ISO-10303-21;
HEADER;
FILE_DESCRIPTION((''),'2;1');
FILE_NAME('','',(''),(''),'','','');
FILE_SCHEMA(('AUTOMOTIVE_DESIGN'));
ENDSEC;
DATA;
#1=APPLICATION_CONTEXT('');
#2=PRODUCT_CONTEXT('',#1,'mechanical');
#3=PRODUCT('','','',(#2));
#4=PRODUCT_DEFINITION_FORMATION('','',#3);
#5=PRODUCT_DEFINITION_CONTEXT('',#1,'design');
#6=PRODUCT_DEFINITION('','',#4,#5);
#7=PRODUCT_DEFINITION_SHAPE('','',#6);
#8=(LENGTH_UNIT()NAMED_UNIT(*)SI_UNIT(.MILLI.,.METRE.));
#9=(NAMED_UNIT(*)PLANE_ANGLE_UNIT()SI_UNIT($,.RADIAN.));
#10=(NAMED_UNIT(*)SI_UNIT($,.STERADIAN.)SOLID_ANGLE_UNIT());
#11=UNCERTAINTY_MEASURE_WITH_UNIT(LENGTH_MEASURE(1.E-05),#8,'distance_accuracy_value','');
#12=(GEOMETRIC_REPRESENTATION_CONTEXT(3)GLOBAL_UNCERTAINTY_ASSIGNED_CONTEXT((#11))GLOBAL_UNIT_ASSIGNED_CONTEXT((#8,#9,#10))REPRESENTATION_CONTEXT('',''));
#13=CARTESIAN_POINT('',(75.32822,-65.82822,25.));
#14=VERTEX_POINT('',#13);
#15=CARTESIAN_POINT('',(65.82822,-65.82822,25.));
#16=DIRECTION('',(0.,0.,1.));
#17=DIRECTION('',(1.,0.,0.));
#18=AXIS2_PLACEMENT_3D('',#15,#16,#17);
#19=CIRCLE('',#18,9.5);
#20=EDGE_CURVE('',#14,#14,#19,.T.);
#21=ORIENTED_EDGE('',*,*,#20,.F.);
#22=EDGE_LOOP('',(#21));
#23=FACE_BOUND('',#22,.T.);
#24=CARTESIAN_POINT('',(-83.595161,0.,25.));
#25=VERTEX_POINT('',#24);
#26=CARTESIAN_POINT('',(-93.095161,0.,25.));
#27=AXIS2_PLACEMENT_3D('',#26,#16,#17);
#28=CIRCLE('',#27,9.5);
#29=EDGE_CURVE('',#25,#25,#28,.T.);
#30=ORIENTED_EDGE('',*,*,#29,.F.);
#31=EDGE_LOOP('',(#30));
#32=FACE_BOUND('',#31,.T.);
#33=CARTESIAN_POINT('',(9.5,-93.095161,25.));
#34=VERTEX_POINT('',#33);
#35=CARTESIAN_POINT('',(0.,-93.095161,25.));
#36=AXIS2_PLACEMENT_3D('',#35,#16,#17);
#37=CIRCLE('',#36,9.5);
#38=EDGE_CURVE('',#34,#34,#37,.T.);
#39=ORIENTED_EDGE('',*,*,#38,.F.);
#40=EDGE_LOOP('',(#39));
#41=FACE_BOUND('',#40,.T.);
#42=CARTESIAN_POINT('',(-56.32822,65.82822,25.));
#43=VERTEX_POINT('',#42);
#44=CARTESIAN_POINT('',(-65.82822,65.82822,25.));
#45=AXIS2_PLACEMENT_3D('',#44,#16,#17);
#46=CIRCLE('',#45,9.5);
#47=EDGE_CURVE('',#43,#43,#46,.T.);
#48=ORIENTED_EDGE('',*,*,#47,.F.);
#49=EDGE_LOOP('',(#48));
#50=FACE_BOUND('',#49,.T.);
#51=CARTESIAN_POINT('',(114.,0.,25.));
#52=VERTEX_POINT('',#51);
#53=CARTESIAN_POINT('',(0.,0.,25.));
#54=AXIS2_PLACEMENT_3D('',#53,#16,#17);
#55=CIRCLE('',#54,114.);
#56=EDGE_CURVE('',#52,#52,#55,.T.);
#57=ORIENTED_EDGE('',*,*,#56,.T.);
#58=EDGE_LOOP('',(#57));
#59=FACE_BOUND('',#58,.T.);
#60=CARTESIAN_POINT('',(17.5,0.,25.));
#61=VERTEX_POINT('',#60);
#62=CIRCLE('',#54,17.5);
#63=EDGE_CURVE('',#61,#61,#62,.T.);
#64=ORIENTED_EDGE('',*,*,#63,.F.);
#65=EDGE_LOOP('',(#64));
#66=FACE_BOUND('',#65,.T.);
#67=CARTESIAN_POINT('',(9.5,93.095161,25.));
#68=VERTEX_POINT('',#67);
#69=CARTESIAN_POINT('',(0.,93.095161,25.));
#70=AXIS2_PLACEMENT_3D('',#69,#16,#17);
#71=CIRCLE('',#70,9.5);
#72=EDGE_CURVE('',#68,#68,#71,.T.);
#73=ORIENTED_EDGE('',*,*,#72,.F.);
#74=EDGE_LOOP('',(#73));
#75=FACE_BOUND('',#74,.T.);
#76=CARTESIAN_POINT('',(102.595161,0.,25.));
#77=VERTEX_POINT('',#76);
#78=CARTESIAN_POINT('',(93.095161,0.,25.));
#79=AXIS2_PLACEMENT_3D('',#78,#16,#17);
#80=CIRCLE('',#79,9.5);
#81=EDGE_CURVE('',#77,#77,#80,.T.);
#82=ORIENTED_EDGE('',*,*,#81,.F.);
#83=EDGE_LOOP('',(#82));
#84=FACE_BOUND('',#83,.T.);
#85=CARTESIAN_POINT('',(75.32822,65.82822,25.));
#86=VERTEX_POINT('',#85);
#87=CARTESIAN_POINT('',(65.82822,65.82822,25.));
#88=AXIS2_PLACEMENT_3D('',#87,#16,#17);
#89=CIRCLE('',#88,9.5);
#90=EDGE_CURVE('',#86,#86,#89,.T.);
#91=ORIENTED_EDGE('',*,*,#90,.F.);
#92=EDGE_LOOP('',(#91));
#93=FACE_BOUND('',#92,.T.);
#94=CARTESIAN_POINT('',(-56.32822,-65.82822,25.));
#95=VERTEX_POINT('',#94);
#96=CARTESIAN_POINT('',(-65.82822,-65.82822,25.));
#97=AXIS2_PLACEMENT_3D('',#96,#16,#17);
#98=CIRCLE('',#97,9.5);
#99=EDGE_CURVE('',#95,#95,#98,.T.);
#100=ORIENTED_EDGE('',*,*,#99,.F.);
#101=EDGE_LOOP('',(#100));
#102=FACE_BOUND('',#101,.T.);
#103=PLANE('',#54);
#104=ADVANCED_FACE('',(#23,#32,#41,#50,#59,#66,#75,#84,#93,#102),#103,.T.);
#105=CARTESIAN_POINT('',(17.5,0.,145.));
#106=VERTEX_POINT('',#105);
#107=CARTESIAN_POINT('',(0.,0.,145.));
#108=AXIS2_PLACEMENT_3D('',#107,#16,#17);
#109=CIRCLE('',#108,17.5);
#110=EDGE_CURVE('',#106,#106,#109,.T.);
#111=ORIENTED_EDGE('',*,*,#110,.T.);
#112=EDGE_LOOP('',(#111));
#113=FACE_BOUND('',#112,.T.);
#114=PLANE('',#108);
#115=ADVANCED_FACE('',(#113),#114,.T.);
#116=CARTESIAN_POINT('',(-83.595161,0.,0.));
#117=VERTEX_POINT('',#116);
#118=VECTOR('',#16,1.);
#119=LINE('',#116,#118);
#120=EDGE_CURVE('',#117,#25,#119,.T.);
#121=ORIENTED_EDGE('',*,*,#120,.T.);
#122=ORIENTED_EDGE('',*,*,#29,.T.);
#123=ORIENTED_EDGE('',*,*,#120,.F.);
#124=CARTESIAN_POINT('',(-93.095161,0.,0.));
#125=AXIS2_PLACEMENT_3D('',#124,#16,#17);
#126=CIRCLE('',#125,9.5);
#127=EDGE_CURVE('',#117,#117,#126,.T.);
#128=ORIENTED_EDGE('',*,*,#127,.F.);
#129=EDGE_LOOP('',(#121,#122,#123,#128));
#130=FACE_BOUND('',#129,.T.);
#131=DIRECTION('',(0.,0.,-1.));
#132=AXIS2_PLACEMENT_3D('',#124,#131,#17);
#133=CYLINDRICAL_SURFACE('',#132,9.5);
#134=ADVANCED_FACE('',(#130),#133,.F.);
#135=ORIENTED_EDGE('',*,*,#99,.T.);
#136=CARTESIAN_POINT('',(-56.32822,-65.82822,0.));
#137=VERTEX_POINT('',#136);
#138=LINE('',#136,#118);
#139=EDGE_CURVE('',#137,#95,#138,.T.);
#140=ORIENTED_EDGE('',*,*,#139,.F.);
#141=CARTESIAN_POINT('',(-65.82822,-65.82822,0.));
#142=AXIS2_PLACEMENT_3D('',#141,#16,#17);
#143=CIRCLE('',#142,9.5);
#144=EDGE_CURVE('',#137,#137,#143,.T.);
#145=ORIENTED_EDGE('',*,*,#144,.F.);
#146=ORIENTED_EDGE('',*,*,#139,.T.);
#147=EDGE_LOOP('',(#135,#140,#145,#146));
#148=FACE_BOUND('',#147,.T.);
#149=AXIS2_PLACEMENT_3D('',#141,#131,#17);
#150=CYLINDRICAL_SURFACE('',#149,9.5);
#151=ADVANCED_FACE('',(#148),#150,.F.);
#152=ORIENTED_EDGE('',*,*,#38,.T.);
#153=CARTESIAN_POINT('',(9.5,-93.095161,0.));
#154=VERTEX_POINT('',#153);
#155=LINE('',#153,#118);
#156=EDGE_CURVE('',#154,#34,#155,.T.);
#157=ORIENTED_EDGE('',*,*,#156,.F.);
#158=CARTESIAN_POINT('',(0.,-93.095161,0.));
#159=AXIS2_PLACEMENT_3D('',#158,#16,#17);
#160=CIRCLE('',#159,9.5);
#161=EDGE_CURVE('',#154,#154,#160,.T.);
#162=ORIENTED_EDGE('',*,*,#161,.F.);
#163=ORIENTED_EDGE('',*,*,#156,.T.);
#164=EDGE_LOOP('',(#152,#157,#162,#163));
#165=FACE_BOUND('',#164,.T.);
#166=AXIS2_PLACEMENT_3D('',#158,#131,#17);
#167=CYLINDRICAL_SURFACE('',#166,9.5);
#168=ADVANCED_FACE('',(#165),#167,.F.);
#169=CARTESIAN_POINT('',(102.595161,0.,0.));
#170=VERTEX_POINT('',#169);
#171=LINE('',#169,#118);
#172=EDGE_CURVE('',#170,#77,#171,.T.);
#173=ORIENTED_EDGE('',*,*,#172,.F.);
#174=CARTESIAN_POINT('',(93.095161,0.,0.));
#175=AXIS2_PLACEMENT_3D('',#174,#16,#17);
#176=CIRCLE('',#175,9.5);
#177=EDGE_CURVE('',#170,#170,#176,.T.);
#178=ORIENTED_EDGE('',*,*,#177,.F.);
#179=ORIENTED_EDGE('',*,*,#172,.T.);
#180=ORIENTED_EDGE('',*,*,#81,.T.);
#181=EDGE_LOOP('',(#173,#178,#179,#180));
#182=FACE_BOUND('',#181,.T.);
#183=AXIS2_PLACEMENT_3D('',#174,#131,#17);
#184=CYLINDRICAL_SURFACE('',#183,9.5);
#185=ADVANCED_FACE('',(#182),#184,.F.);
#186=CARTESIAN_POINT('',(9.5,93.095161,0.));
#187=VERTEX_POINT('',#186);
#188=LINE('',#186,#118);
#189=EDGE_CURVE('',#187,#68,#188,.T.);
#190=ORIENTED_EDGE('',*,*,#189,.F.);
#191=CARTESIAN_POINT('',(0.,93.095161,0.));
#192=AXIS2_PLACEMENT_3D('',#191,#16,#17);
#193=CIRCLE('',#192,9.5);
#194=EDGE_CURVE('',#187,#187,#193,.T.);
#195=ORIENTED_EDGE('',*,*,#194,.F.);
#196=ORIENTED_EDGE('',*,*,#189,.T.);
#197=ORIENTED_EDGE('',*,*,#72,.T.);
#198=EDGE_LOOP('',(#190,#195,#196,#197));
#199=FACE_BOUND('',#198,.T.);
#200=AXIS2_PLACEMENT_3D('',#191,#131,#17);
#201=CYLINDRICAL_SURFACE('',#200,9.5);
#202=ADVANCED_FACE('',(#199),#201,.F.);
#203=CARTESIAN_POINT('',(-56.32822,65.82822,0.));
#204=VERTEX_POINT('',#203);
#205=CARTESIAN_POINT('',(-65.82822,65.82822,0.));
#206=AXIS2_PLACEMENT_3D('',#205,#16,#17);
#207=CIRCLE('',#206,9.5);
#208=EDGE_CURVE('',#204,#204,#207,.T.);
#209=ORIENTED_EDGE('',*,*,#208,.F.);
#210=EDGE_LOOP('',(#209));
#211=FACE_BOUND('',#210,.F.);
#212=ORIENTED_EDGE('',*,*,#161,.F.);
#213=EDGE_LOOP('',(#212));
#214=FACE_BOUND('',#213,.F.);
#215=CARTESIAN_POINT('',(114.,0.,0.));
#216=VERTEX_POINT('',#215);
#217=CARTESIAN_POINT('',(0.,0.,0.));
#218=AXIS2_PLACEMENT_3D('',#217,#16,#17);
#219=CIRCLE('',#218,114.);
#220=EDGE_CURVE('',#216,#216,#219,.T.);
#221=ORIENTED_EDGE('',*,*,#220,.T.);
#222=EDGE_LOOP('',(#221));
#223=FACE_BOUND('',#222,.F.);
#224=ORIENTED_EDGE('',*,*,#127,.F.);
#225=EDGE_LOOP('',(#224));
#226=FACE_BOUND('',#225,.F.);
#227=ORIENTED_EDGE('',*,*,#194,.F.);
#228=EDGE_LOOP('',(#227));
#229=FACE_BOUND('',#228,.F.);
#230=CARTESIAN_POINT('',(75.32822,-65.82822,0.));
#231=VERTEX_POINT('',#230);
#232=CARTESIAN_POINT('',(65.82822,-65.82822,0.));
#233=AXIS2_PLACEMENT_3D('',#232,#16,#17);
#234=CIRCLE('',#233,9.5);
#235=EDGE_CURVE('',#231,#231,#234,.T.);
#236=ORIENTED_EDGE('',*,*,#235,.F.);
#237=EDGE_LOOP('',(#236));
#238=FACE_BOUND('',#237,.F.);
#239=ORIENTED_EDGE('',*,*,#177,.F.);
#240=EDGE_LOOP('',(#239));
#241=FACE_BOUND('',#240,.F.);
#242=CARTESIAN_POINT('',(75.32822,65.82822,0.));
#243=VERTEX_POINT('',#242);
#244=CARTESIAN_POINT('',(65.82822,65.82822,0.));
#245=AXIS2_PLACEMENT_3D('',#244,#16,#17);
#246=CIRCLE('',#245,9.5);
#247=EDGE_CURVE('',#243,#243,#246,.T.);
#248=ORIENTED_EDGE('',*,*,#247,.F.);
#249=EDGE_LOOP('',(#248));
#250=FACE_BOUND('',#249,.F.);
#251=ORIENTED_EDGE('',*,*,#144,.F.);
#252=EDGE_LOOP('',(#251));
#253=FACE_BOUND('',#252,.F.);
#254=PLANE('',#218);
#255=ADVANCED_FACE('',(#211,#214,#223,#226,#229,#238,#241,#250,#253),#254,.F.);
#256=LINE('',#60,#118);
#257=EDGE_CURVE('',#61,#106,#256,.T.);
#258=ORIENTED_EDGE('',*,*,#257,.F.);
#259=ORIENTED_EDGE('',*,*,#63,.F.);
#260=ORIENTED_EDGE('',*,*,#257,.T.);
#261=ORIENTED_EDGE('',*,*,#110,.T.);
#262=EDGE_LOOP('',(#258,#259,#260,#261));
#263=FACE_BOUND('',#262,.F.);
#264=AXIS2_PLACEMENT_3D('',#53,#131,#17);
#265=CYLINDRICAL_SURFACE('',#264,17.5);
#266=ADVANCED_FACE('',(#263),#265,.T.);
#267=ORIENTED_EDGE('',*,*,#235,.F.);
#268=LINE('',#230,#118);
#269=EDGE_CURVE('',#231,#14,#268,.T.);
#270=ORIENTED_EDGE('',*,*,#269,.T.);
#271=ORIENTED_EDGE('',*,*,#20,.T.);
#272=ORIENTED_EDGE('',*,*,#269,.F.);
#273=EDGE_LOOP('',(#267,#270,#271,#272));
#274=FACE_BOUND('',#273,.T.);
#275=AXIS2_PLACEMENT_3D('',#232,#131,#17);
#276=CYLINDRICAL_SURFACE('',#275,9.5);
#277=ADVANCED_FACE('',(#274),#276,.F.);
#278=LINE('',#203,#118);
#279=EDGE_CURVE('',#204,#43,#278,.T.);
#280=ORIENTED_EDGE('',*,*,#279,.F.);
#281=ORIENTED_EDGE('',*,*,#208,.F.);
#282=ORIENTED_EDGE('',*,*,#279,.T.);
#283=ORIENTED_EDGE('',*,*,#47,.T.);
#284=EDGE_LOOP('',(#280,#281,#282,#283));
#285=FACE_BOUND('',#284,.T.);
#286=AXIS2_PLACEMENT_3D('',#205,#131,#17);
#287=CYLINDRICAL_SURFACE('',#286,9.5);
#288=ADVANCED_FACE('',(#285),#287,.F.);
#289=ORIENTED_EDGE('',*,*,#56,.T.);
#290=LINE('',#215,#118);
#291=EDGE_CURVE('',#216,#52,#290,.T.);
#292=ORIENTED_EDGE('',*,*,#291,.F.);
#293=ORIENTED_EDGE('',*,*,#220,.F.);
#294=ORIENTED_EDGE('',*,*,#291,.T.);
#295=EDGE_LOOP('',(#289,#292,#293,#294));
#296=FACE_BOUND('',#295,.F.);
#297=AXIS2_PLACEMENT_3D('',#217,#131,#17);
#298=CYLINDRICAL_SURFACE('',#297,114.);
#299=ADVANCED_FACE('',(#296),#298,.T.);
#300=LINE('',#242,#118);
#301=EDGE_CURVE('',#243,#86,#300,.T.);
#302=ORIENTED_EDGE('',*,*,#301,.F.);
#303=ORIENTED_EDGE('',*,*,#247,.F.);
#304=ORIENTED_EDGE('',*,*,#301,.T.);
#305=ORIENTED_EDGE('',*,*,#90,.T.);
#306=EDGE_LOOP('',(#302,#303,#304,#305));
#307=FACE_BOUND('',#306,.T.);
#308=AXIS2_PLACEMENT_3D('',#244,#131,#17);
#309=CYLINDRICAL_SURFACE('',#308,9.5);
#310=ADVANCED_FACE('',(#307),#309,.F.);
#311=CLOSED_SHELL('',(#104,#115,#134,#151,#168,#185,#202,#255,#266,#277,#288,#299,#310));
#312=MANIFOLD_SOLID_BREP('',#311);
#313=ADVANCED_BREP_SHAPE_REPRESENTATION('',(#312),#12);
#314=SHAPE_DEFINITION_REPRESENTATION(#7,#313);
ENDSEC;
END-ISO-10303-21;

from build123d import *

# Parameters (mm, degrees)
F0_R     = 114
F0_R_2   = 9.5
F1_DEPTH = 25
F2_R     = 17.5
F3_DEPTH = 120


with BuildPart() as f1:
    # F0 (on Top) → F1 (new body)
    with BuildSketch(Plane.XY):
        Circle(F0_R)
        with Locations((-65.82822, -65.82822)):
            Circle(F0_R_2, mode=Mode.SUBTRACT)
        with Locations((0, -93.095161)):
            Circle(F0_R_2, mode=Mode.SUBTRACT)
        with Locations((65.82822, -65.82822)):
            Circle(F0_R_2, mode=Mode.SUBTRACT)
        with Locations((-93.095161, 0)):
            Circle(F0_R_2, mode=Mode.SUBTRACT)
        with Locations((-65.82822, 65.82822)):
            Circle(F0_R_2, mode=Mode.SUBTRACT)
        with Locations((93.095161, 0)):
            Circle(F0_R_2, mode=Mode.SUBTRACT)
        with Locations((0, 93.095161)):
            Circle(F0_R_2, mode=Mode.SUBTRACT)
        with Locations((65.82822, 65.82822)):
            Circle(F0_R_2, mode=Mode.SUBTRACT)
    extrude(amount=F1_DEPTH)

    # F2 (on face) → F3 (join)
    with BuildSketch(Plane.XY.offset(25)):
        Circle(F2_R)
    extrude(amount=F3_DEPTH)


solid = f1.part
